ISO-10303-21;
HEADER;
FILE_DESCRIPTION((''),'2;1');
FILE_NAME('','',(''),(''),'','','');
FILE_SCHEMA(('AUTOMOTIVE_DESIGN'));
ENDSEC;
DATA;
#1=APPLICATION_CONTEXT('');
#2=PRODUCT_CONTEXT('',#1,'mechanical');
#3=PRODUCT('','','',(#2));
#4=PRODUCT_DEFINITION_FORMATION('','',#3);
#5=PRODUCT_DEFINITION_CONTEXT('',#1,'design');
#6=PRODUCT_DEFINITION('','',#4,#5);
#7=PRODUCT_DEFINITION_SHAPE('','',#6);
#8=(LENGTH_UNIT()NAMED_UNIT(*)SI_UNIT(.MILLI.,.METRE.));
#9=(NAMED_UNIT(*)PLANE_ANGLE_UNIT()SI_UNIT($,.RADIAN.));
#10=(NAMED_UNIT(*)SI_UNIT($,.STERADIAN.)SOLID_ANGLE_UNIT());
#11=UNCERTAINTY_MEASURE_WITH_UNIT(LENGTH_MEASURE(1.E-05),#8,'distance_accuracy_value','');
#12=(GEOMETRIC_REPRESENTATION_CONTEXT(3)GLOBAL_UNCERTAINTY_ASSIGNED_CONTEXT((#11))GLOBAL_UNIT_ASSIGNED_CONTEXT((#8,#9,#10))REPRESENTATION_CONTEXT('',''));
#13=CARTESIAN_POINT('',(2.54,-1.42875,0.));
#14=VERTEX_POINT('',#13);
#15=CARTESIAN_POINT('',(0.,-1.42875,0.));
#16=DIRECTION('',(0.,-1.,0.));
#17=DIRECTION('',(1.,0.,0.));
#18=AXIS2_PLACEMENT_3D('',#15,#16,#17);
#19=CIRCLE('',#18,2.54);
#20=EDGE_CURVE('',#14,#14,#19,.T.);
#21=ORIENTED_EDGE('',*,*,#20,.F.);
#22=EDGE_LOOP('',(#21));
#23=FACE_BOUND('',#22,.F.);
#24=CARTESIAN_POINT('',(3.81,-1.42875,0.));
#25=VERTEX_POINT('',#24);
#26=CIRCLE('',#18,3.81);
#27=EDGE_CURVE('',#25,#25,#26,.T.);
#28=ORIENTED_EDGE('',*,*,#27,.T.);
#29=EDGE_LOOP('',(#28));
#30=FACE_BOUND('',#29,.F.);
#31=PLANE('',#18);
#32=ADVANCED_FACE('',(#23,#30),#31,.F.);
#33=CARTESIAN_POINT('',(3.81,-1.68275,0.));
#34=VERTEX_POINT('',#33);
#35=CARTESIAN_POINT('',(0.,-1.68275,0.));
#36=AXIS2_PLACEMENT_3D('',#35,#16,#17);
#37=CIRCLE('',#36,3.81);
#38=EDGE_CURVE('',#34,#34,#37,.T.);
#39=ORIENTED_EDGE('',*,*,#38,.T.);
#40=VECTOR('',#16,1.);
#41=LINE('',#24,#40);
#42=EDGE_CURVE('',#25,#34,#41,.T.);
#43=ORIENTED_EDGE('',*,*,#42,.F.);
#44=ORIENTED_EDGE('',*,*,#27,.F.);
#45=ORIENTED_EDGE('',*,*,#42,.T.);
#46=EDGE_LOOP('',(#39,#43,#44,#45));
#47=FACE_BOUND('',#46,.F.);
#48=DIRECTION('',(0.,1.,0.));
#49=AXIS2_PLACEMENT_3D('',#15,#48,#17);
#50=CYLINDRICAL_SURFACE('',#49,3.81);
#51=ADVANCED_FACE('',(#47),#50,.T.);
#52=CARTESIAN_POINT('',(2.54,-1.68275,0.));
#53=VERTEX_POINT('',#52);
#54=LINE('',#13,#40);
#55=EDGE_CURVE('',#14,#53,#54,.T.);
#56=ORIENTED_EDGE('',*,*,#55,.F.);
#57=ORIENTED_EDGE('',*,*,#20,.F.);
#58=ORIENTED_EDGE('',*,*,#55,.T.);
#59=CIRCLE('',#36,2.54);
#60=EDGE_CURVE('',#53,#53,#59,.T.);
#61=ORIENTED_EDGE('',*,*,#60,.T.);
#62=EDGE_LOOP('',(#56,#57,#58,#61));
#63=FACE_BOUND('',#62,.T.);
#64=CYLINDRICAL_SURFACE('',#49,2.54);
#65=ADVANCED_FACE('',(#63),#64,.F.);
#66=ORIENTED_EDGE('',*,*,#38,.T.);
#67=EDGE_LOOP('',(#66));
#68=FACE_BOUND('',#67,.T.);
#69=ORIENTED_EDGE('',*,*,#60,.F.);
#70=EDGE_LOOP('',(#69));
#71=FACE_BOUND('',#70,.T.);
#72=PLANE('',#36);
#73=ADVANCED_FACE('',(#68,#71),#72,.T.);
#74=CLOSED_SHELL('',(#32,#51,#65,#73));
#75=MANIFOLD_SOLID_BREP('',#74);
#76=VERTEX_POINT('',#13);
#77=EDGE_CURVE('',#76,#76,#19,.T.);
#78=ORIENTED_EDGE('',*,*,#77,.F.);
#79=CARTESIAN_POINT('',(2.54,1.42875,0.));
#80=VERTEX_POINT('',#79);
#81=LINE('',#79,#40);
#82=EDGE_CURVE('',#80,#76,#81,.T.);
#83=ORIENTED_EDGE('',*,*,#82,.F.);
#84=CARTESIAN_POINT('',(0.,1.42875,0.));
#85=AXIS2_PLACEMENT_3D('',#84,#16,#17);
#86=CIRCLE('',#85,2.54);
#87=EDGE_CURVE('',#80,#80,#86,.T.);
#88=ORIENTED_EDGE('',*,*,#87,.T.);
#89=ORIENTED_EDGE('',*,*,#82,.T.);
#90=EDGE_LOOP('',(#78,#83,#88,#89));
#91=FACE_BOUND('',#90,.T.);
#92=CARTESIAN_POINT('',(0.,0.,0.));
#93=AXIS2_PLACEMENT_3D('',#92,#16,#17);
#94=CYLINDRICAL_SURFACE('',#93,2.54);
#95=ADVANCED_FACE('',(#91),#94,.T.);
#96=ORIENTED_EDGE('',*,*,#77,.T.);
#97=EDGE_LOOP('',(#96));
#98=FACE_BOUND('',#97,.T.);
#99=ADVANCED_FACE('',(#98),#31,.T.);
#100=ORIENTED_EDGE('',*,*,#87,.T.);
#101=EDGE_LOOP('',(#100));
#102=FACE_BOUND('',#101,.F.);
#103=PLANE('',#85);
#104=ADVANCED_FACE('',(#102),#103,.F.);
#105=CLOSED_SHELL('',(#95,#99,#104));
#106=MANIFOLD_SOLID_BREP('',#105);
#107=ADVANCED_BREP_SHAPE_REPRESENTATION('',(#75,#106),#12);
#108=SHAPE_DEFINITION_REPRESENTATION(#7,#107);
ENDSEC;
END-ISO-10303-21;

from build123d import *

# Parameters (mm, degrees)
F0_R     = 2.54
F1_DEPTH = 1.42875
F2_R     = 3.81
F2_R_2   = 2.54
F3_DEPTH = 0.254


with BuildPart() as f1:
    # F0 (on Front) → F1 (new body, symmetric)
    with BuildSketch(Plane.XZ):
        Circle(F0_R)
    extrude(amount=F1_DEPTH, both=True)

    # F2 (on face) → F3 (join)
    with BuildSketch(Plane.XZ.offset(1.42875)):
        Circle(F2_R)
        Circle(F2_R_2, mode=Mode.SUBTRACT)
    extrude(amount=F3_DEPTH)


solid = f1.part
